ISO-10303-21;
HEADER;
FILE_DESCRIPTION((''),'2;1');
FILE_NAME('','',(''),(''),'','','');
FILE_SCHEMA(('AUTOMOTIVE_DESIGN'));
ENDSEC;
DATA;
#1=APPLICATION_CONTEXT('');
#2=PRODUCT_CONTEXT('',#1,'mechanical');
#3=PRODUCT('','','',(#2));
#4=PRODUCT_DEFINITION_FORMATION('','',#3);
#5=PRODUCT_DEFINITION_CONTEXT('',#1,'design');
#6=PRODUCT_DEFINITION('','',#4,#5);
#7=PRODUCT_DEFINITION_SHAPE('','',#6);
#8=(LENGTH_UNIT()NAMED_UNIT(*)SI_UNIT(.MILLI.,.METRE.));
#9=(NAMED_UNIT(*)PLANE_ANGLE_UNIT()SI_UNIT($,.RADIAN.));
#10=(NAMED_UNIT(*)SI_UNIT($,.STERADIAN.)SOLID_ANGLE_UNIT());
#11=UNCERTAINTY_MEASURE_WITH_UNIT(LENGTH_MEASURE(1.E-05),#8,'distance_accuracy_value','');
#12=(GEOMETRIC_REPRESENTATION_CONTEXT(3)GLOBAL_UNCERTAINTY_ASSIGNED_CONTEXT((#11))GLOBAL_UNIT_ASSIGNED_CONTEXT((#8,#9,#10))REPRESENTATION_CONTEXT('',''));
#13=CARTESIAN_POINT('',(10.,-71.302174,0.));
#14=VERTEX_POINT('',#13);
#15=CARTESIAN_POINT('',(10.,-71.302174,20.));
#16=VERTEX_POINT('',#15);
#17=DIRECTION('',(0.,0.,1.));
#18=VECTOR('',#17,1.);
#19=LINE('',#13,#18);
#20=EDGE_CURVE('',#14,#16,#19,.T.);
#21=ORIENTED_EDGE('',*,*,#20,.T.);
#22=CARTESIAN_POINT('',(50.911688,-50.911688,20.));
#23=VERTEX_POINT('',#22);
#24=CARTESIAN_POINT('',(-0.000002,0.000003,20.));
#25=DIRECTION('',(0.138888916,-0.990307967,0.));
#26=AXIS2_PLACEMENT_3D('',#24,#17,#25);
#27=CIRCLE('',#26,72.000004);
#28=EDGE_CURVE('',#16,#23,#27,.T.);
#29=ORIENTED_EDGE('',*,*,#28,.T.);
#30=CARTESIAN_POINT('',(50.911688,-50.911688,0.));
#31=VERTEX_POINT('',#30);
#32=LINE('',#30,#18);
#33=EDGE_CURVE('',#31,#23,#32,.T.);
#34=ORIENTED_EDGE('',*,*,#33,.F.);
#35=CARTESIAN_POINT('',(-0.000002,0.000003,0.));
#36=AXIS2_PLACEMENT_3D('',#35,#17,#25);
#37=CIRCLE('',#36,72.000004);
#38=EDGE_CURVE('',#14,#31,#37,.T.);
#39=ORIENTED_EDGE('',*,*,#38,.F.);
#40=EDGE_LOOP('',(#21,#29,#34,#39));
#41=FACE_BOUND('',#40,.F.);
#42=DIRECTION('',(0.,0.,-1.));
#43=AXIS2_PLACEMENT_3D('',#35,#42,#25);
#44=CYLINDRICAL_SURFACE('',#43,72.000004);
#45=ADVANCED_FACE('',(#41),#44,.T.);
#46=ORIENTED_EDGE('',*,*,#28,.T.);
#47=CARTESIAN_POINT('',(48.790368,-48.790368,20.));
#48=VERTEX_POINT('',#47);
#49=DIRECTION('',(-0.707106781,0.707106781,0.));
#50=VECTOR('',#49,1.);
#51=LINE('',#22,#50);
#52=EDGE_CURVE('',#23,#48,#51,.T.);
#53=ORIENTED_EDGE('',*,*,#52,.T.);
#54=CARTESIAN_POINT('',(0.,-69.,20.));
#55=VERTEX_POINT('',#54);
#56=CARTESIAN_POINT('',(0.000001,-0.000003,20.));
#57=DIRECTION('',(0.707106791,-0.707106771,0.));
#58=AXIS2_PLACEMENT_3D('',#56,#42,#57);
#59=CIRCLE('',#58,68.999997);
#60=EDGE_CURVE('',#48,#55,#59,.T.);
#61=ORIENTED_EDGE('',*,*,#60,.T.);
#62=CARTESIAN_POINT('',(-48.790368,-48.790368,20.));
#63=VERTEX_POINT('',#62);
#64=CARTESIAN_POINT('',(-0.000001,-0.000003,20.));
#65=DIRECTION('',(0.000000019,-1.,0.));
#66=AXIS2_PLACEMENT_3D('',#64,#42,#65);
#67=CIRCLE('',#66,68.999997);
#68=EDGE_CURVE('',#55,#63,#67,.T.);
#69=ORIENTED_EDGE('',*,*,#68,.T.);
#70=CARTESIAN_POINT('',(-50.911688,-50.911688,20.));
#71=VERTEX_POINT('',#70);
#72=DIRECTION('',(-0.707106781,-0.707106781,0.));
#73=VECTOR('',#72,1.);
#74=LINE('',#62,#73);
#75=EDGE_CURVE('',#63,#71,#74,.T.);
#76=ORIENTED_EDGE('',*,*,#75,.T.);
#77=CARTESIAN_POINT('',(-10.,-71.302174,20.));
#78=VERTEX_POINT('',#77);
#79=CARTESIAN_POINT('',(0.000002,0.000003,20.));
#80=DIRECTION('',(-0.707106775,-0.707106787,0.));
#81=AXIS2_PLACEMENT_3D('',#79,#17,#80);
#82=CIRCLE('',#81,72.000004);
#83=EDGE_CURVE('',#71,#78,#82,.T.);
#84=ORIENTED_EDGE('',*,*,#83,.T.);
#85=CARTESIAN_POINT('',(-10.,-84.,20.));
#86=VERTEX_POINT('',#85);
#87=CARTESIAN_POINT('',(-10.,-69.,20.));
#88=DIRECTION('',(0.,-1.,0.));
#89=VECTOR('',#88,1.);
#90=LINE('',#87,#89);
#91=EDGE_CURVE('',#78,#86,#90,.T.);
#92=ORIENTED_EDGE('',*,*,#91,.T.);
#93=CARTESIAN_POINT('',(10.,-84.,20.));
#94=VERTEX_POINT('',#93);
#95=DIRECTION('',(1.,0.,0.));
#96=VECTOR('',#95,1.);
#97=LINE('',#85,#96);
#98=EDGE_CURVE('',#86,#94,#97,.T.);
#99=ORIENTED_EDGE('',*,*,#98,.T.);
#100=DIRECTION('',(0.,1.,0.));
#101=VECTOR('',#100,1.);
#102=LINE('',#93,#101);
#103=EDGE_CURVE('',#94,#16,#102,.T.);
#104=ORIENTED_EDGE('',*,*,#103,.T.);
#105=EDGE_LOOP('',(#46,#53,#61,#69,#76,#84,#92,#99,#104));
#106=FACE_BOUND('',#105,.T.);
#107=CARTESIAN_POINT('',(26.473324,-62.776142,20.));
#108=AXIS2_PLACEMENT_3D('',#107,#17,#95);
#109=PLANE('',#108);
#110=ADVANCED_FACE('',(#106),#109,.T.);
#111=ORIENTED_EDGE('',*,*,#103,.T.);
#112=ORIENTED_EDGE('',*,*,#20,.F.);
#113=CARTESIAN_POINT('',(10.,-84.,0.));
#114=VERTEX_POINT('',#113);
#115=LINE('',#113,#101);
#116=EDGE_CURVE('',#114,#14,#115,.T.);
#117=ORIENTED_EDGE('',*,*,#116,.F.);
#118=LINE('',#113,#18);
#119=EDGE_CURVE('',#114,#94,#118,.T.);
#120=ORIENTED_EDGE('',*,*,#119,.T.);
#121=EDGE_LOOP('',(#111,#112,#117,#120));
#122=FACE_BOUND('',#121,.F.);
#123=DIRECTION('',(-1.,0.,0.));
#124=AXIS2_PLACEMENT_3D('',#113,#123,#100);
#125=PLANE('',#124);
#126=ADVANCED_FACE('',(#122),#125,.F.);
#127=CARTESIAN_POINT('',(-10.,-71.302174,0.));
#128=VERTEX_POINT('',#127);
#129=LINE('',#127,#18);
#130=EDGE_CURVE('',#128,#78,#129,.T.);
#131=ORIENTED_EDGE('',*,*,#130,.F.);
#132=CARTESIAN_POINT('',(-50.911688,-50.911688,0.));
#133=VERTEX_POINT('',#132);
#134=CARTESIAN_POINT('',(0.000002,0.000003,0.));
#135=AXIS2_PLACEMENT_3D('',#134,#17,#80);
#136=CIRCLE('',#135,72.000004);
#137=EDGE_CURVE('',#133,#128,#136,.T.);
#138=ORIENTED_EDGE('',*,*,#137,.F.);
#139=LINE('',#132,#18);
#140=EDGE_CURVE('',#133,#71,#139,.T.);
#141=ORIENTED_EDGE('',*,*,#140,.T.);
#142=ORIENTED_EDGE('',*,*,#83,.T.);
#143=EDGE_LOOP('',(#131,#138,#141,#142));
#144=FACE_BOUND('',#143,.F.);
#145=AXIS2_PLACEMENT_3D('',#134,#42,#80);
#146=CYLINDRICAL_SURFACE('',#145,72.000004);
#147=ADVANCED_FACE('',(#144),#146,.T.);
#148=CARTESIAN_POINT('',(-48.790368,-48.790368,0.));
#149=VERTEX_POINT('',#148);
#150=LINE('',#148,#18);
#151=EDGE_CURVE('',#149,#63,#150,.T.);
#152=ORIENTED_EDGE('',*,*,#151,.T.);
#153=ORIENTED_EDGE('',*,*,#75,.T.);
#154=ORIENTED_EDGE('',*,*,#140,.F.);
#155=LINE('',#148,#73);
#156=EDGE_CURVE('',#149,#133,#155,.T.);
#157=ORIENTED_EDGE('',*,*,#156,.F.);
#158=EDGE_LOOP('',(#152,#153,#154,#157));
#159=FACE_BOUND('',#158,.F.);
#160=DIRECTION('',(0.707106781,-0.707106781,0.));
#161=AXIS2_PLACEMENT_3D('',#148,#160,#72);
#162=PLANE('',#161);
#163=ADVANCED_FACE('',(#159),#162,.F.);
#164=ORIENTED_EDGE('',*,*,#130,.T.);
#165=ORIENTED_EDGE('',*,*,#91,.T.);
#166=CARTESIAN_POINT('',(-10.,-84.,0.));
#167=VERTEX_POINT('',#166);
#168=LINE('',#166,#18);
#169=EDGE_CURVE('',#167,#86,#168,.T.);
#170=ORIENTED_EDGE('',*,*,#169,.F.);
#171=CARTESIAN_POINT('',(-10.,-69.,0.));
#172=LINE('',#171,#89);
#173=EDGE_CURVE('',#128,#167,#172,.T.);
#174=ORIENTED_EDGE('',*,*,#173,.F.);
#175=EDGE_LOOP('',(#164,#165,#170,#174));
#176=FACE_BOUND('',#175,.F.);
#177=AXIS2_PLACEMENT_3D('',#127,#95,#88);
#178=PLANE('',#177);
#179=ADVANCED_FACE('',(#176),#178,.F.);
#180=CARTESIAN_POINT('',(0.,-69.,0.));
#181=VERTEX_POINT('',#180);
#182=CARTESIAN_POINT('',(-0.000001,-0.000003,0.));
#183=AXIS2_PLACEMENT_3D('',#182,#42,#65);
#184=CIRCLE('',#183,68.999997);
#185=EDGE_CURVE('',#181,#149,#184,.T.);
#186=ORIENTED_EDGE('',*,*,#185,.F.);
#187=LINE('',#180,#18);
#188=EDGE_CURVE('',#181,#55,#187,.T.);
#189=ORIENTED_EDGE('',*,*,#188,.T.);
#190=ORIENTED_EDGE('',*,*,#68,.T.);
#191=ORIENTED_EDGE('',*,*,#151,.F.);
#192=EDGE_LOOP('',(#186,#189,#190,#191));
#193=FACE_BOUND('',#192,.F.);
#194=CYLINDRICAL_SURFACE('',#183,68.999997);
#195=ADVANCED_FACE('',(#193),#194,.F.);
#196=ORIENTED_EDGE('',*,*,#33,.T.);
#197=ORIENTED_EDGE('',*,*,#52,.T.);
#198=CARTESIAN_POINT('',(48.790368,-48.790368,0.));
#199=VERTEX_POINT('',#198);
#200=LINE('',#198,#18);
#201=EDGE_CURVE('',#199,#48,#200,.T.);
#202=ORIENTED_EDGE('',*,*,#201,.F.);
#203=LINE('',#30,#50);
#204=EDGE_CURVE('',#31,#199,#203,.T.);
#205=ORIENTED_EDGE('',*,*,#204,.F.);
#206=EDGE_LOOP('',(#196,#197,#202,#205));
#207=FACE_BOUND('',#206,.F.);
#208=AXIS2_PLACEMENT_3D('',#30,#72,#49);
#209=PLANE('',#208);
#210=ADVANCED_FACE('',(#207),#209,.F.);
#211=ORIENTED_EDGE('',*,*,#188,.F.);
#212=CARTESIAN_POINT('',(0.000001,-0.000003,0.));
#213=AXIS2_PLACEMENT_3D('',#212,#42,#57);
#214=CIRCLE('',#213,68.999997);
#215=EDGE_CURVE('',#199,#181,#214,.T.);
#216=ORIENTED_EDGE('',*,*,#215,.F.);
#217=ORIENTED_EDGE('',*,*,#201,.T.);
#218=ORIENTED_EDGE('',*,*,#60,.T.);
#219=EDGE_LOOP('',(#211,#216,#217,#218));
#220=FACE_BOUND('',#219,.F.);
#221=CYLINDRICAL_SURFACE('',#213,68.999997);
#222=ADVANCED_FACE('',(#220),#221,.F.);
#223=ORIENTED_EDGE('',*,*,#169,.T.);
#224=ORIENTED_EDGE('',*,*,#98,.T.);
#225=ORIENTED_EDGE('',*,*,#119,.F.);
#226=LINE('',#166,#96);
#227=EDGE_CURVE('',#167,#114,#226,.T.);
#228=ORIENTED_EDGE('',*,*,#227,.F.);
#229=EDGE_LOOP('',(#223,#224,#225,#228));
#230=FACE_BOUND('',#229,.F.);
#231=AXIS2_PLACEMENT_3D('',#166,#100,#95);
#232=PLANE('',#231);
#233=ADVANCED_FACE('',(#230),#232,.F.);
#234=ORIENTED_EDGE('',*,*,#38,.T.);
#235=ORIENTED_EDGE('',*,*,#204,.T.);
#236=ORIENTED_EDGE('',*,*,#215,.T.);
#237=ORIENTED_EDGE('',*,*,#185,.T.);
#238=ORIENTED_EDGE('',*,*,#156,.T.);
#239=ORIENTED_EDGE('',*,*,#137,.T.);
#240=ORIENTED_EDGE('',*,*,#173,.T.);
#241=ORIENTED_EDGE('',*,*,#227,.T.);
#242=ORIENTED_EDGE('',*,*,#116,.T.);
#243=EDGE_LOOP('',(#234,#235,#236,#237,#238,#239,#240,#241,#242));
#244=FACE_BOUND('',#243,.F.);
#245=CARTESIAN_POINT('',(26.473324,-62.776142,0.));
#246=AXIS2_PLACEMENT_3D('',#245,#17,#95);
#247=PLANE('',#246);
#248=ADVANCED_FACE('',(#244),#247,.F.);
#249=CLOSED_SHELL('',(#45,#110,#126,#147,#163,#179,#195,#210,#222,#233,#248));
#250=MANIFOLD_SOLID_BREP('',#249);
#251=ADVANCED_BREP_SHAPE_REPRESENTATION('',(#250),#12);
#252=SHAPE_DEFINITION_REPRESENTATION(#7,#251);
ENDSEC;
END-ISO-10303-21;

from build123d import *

# Parameters (mm, degrees)
F1_DEPTH = 20


with BuildPart() as f1:
    # F0 (on Top) → F1 (new body)
    with BuildSketch(Plane.XY):
        with BuildLine():
            Line((0, -69), (10, -69))
            Line((10, -69), (10, -71.302174))
            ThreePointArc((10, -71.302174), (32.116996, -64.439883), (50.911688, -50.911688))
            Line((50.911688, -50.911688), (48.790368, -48.790368))
            ThreePointArc((48.790368, -48.790368), (26.405157, -63.747688), (0, -69))
        make_face()
        Polygon((10, -71.302174), (10, -69), (0, -69), (-10, -69), (-10, -71.302174), (-10, -84), (10, -84), align=None)
        with BuildLine():
            Line((-10, -69), (0, -69))
            ThreePointArc((0, -69), (-26.405157, -63.747688), (-48.790368, -48.790368))
            Line((-48.790368, -48.790368), (-50.911688, -50.911688))
            ThreePointArc((-50.911688, -50.911688), (-32.116996, -64.439883), (-10, -71.302174))
            Line((-10, -71.302174), (-10, -69))
        make_face()
    extrude(amount=F1_DEPTH)


solid = f1.part
